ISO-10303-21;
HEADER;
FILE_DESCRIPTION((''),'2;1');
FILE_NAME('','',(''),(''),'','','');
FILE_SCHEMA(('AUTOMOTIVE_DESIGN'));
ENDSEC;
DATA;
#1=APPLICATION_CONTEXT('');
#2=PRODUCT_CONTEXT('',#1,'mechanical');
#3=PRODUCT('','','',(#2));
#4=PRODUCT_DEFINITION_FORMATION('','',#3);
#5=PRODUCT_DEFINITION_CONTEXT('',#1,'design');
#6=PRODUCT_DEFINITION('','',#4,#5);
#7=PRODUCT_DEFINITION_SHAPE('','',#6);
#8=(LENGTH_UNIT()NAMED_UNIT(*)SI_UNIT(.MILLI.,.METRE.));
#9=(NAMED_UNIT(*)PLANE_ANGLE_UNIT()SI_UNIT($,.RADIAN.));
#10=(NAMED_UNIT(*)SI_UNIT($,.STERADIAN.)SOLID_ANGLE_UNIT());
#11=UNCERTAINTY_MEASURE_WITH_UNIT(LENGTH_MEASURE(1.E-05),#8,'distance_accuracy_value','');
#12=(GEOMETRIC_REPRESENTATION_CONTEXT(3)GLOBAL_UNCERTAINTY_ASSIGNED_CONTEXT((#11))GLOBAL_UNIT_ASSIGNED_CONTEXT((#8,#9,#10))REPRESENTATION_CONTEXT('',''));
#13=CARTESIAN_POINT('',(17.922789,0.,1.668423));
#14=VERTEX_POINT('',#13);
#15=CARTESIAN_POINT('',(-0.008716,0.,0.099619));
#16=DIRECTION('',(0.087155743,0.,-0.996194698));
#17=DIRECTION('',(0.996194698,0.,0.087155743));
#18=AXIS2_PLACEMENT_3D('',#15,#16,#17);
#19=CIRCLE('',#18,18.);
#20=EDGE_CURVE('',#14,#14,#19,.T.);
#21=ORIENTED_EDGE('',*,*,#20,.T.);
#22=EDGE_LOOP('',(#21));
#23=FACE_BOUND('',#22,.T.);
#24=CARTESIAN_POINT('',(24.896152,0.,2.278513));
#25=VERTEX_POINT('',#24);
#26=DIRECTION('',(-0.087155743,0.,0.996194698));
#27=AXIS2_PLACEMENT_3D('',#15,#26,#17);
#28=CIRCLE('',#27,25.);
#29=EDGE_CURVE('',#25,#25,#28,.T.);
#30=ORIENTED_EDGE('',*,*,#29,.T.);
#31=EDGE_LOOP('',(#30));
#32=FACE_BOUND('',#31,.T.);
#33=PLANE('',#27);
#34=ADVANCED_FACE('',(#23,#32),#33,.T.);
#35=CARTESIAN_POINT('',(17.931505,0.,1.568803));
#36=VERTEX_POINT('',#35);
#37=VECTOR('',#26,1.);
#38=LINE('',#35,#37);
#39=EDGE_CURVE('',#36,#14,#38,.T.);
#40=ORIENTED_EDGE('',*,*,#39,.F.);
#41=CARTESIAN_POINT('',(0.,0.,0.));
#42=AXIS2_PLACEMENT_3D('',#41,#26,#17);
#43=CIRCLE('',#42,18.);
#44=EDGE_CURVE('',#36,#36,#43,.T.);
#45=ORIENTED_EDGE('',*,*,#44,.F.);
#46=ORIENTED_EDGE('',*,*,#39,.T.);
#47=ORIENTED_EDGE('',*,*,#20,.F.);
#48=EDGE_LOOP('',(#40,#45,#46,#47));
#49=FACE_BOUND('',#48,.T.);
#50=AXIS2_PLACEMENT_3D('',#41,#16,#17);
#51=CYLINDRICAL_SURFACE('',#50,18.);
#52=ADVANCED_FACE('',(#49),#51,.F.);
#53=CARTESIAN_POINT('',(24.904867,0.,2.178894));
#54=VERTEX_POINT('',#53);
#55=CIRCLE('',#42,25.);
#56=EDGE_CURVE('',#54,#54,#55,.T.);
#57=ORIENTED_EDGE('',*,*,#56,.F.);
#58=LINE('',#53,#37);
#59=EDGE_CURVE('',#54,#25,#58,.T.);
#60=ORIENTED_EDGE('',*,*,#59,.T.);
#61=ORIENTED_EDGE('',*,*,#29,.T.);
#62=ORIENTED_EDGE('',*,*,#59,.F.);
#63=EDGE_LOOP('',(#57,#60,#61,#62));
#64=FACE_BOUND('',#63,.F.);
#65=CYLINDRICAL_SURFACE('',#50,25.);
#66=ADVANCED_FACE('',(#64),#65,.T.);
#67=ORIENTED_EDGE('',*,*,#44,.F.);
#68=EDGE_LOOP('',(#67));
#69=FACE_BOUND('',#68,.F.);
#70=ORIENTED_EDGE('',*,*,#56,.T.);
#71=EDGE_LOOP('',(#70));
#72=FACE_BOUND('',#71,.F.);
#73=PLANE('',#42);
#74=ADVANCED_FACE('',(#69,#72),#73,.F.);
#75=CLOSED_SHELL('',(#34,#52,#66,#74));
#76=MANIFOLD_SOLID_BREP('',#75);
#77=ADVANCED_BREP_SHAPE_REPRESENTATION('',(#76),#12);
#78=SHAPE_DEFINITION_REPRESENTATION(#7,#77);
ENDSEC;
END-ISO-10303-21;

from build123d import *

# Parameters (mm, degrees)
CYLINDER001_R       = 18
CYLINDER001_DEPTH   = 10
CYLINDER_R          = 25
CYLINDER_DEPTH      = 0.1
CUT_PLACEMENT_ANGLE = 5


with BuildPart() as cylinder001:
    # Cylinder001 → Cylinder001 (new body)
    with BuildSketch(Plane.XY):
        Circle(CYLINDER001_R)
    extrude(amount=CYLINDER001_DEPTH)


with BuildPart() as cut:
    # Cylinder → Cylinder (new body)
    with BuildSketch(Plane.XY):
        Circle(CYLINDER_R)
    extrude(amount=CYLINDER_DEPTH)

    # Cut: cut Cylinder001
    add(cylinder001.part, mode=Mode.SUBTRACT)


with BuildPart() as cut_1:
    # Cut placement: moved
    add(cut.part.rotate(Axis((0, 0, 0), (0, -1, 0)), CUT_PLACEMENT_ANGLE))


solid = cut_1.part
